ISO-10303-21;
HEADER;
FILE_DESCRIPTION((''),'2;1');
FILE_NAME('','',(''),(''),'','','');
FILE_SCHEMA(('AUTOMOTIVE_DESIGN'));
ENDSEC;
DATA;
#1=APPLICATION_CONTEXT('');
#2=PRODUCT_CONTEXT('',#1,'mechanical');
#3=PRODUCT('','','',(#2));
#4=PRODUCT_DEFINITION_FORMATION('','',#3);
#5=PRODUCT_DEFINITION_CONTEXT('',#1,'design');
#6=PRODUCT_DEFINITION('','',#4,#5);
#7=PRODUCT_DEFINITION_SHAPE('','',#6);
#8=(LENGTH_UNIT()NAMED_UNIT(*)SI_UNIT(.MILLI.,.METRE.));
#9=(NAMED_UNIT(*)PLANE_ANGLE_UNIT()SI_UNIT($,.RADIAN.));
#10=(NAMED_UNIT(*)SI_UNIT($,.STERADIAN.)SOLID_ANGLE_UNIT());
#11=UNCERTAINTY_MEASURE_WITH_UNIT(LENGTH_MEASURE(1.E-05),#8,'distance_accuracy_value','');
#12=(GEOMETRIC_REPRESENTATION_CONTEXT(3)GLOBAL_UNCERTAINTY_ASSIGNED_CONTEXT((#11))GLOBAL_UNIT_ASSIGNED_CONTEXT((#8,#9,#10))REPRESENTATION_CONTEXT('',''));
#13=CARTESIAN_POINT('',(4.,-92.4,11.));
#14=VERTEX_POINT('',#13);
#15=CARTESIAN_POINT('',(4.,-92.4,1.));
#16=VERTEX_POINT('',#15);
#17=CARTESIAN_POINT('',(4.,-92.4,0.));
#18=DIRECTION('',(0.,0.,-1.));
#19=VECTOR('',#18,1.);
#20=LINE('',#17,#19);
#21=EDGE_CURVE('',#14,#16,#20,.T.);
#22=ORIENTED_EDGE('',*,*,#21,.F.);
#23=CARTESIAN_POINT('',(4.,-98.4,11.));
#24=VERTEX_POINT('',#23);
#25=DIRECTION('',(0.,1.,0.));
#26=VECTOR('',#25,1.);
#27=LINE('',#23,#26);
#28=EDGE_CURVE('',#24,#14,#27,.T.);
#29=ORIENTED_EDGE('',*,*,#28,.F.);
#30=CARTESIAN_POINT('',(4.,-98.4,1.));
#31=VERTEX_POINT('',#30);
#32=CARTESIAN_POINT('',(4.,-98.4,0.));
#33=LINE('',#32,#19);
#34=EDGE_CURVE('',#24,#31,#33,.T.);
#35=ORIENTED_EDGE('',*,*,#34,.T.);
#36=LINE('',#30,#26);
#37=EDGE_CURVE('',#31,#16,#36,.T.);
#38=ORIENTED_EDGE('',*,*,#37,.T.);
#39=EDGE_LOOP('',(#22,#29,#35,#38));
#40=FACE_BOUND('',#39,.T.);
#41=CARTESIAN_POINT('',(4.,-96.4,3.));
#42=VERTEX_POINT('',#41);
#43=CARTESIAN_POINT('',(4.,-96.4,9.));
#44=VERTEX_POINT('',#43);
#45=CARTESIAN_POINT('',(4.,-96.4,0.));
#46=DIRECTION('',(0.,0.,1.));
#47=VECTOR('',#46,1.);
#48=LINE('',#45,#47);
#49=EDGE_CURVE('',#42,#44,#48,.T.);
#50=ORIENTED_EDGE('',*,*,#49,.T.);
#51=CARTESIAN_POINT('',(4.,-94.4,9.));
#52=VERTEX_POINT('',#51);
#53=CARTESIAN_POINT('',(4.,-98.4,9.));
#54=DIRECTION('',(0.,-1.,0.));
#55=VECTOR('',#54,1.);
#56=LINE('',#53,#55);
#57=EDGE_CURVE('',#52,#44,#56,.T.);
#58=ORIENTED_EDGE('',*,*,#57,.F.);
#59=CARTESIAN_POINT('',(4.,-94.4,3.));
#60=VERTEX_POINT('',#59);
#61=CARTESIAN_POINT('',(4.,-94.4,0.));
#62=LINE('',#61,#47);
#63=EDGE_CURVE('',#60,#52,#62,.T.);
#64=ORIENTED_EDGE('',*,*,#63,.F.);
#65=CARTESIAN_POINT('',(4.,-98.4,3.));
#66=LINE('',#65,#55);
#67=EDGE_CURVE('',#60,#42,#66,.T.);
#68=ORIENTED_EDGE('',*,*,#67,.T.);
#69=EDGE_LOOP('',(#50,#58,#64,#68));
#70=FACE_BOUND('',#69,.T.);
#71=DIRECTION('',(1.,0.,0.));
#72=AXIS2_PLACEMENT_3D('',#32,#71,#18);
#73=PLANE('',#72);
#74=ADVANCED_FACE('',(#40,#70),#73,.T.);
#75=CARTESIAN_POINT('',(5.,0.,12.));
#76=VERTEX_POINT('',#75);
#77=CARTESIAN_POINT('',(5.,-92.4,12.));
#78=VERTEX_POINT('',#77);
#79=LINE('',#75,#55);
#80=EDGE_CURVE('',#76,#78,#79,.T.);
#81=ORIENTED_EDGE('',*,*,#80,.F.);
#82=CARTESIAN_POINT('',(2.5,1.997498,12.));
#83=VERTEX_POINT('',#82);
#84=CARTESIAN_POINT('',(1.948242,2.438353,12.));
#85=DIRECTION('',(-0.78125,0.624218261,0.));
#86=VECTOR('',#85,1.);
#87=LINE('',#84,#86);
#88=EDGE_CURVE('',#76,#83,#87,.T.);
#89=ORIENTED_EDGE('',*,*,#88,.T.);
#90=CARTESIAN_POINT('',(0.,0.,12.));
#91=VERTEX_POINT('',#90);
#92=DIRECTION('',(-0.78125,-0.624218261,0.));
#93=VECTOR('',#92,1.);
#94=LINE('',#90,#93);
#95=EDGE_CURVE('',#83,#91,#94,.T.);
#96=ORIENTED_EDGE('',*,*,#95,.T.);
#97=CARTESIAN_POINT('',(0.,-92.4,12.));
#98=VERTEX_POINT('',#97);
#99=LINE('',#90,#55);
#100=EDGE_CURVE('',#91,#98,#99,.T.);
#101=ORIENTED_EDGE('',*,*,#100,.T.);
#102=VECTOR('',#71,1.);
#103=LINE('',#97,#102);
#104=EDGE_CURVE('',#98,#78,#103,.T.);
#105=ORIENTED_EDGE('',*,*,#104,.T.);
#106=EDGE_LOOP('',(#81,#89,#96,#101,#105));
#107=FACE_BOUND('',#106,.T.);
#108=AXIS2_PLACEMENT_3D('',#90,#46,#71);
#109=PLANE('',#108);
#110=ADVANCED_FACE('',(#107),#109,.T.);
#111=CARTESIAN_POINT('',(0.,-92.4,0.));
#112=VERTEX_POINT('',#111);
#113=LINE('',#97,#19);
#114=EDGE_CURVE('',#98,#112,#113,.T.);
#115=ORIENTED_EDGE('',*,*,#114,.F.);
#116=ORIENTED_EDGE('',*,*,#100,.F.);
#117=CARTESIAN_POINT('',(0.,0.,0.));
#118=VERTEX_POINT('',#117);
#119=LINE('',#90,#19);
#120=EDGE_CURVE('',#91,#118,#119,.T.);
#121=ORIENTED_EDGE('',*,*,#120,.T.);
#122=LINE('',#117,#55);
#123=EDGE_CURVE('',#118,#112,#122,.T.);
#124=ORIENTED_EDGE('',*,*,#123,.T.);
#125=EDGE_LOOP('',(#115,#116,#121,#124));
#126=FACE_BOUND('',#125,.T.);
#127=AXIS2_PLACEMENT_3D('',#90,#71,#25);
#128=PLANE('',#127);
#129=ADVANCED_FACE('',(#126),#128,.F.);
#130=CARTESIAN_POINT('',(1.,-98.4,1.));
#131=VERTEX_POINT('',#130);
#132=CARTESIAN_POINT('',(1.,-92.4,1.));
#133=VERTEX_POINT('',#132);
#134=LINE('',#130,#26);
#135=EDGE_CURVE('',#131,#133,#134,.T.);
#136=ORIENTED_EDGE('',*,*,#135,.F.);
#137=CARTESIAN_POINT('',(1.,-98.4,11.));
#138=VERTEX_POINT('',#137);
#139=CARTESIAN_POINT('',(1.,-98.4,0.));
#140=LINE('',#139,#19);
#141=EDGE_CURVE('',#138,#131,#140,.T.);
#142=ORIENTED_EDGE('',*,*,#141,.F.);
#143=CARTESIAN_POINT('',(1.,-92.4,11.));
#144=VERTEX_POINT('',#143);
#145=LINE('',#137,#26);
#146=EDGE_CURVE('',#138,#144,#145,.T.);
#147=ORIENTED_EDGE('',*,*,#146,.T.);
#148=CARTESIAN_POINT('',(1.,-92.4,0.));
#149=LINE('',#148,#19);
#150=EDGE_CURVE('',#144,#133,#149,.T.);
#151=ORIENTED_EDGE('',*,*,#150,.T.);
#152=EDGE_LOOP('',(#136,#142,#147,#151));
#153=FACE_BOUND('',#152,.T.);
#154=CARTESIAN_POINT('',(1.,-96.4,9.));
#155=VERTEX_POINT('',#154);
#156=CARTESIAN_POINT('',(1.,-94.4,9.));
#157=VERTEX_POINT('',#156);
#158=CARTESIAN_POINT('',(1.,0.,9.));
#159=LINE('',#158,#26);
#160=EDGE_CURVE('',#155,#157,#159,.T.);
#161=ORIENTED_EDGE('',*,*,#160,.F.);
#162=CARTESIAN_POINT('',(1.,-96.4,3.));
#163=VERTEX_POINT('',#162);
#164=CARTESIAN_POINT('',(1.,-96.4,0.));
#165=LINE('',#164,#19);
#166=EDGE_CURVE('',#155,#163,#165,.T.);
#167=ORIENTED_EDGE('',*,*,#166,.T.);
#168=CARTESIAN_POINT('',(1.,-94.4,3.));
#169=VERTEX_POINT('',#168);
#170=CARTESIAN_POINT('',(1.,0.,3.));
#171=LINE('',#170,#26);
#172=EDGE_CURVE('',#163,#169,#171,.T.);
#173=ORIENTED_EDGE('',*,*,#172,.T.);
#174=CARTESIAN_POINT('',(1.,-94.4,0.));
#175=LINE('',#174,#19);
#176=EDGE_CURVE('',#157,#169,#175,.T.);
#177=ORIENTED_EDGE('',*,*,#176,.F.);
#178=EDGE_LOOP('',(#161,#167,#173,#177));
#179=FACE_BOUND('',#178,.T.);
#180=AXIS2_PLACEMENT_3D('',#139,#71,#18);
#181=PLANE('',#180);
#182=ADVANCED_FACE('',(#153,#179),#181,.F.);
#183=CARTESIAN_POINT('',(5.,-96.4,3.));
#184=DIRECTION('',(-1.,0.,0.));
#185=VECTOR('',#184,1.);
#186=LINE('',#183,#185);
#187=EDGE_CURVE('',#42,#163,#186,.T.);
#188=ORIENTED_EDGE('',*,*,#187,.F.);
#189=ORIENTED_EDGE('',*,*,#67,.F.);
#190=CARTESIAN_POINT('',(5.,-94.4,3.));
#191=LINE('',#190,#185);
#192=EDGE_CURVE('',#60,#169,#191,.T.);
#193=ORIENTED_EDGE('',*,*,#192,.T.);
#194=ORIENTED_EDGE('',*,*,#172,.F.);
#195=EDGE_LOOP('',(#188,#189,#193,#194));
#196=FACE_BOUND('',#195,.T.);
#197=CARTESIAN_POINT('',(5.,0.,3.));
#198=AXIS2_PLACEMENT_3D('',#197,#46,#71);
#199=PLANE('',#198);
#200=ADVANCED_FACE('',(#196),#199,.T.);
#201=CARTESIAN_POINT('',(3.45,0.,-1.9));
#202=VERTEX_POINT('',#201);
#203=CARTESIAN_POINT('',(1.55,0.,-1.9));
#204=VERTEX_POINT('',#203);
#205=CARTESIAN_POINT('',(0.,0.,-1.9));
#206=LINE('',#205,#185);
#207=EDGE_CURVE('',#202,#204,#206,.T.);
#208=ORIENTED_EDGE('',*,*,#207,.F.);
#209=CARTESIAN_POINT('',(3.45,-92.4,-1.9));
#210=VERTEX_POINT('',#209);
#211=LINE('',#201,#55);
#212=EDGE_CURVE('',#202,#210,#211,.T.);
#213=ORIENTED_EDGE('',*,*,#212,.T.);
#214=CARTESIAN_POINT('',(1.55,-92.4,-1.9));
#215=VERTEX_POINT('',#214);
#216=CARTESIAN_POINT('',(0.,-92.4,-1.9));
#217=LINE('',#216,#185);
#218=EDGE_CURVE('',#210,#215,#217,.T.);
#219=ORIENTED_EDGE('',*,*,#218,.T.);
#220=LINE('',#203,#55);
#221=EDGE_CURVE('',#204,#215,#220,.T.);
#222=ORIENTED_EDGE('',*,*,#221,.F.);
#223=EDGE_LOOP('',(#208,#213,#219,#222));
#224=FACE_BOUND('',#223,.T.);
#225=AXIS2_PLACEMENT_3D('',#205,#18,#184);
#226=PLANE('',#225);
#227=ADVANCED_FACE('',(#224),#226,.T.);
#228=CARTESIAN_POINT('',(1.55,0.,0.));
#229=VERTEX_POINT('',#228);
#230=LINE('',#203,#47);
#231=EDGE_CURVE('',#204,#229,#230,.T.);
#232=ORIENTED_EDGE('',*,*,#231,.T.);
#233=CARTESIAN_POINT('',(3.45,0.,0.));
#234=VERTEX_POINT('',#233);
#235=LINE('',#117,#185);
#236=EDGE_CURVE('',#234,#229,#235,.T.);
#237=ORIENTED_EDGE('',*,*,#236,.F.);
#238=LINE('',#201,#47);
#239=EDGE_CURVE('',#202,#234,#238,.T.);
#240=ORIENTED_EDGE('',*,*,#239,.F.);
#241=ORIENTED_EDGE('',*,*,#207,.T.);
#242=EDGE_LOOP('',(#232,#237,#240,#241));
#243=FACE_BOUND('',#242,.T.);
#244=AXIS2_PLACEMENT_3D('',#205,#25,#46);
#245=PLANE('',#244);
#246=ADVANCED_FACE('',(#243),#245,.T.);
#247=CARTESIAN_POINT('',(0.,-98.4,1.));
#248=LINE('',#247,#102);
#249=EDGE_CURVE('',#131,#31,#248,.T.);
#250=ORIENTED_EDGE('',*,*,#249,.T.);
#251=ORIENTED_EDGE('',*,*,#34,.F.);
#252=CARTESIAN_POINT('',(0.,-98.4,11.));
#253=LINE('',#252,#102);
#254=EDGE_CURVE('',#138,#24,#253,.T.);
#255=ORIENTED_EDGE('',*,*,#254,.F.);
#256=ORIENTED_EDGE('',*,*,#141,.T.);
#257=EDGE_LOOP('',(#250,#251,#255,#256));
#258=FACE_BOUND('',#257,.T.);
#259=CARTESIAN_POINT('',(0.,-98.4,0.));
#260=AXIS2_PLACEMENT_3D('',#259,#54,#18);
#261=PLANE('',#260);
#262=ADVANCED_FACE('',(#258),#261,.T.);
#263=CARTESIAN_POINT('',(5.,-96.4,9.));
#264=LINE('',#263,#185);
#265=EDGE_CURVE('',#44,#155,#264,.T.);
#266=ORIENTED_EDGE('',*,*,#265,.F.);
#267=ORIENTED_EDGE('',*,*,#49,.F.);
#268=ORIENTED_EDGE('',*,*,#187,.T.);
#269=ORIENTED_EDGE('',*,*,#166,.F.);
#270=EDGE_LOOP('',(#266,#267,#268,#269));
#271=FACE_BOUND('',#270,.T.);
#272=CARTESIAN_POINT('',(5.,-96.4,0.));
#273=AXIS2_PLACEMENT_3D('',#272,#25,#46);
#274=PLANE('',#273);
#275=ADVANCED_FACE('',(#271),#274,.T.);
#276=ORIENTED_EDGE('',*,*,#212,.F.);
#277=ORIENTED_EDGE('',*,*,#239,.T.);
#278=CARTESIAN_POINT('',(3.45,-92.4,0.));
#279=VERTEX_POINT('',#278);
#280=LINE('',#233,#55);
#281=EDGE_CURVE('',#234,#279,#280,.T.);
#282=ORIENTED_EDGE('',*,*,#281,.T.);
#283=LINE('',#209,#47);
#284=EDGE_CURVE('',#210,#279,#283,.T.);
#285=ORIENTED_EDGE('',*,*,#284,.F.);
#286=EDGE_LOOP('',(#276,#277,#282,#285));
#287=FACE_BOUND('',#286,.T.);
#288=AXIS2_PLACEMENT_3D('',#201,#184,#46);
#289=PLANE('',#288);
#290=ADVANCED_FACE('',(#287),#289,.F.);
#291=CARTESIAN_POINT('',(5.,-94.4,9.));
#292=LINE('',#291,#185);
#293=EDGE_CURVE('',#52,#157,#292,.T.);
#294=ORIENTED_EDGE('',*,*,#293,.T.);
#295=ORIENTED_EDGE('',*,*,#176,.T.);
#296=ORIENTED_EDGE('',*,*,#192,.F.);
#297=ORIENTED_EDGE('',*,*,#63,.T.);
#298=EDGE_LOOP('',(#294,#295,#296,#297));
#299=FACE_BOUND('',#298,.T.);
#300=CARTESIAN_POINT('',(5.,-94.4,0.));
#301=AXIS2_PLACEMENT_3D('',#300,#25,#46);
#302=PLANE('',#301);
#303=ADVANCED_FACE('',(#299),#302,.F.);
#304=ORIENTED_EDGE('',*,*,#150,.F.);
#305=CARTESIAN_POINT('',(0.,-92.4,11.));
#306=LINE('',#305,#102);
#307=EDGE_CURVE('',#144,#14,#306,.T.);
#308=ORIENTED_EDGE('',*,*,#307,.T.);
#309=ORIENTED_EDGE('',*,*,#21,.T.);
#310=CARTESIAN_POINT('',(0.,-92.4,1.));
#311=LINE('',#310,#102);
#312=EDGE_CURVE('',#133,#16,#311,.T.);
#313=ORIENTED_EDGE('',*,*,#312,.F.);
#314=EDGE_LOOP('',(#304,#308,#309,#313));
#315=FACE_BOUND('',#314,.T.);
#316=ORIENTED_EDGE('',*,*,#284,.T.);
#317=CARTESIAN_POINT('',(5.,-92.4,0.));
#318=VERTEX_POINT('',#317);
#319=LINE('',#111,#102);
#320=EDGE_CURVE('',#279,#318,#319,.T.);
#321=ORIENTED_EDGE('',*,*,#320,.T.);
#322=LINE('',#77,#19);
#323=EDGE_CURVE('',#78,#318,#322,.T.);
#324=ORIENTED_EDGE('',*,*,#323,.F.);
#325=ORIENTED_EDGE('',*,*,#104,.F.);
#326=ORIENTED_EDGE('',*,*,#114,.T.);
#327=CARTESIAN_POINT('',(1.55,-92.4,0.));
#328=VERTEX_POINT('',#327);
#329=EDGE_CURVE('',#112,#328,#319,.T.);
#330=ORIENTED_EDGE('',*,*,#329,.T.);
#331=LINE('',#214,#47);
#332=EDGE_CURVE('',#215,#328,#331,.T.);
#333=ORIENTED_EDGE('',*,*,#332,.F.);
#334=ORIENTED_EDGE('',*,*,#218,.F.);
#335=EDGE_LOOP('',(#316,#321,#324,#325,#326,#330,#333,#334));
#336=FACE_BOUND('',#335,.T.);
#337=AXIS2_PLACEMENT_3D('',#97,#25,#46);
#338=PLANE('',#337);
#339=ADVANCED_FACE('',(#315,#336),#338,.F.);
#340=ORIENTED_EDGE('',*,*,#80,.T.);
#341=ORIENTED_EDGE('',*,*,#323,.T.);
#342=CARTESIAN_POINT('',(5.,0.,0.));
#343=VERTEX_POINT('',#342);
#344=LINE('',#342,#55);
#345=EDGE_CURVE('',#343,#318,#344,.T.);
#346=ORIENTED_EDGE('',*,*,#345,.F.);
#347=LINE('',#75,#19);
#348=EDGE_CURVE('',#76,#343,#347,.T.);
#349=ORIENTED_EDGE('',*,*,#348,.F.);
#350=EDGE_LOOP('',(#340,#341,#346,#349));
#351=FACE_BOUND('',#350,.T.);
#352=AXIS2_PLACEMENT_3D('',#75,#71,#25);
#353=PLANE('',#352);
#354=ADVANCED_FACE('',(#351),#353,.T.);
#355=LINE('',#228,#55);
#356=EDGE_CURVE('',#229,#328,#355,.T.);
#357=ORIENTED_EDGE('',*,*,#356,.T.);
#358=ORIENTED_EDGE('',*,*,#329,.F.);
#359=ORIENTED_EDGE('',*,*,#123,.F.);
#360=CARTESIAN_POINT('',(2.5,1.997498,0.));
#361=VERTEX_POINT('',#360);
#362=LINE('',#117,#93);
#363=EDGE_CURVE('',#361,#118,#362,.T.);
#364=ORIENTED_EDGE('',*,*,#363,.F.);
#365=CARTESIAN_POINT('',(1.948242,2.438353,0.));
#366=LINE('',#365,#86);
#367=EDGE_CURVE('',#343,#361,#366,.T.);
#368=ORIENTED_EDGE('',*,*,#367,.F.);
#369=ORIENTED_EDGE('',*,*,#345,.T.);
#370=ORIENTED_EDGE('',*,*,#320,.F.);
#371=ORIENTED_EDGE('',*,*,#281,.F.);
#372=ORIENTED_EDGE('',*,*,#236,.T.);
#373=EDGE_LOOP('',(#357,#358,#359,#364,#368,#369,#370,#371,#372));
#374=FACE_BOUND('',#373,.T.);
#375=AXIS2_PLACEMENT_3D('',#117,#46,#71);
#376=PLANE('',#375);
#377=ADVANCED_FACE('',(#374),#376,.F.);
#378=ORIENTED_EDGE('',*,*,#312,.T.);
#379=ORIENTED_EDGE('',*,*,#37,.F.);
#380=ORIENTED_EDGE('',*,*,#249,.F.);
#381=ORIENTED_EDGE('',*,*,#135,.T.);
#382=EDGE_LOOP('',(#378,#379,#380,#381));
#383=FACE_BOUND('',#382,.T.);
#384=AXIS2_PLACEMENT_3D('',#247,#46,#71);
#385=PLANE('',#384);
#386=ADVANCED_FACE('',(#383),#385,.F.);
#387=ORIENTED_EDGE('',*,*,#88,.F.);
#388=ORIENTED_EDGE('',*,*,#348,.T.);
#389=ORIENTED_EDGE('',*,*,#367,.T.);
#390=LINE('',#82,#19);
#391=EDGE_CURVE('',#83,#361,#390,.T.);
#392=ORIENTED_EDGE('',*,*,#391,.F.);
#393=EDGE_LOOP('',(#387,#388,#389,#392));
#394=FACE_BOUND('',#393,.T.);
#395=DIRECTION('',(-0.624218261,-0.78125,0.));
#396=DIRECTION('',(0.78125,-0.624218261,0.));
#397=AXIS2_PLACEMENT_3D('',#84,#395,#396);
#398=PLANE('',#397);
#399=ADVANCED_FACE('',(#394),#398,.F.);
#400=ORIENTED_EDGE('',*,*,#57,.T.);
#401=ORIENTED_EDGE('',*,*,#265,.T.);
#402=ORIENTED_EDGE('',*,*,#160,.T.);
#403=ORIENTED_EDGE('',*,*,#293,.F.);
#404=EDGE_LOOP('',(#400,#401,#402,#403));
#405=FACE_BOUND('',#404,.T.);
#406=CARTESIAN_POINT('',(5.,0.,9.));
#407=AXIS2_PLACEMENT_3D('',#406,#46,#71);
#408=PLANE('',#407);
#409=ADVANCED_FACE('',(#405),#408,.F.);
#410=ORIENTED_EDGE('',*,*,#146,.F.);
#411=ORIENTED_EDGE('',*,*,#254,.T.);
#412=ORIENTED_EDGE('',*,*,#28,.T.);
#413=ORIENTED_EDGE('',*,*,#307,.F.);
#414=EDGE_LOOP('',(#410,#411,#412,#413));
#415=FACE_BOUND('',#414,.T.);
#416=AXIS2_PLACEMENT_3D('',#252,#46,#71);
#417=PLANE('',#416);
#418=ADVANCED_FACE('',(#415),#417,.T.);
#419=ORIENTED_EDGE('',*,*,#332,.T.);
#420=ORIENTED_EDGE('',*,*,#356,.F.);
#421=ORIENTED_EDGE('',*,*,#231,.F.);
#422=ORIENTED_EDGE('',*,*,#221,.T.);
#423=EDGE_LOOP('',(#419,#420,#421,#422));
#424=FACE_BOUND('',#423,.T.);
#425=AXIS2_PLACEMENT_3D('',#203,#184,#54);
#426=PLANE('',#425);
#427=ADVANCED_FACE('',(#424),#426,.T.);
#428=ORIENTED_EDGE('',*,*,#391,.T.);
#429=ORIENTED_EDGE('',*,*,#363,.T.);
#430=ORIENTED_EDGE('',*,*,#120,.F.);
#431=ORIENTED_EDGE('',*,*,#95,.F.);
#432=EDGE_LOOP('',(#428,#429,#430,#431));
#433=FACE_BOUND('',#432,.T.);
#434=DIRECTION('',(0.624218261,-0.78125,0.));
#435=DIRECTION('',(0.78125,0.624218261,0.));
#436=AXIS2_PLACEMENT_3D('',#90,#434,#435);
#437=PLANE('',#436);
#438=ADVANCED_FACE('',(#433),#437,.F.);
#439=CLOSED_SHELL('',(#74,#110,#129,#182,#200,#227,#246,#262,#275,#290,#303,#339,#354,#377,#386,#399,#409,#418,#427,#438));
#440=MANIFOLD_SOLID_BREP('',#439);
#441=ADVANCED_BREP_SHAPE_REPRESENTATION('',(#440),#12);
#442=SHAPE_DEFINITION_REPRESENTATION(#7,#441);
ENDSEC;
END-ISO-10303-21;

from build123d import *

# Parameters (mm, degrees)
EXTRUDE_1_DEPTH          = 12
EXTRUDE_2_DEPTH          = 1.9
SKETCH_3_W               = 3
SKETCH_3_H               = 10
EXTRUDE_3_DEPTH          = 6
CUT_EXTRUDE_1_DEPTH      = 100.209676947
CUT_EXTRUDE_1_DEPTH_BACK = 3
SKETCH_4_W               = 6
SKETCH_4_H               = 2


with BuildPart() as part:
    # 草图1 → 凸台-拉伸1 (new body)
    with BuildSketch(Plane.XY):
        Polygon((2.5, 1.997498436), (0, 0), (0, -92.4), (5, -92.4), (5, 0), align=None)
    extrude(amount=EXTRUDE_1_DEPTH)

    # 草图2 → 凸台-拉伸2 (add)
    with BuildSketch(Plane(origin=(0, 0, 0), x_dir=(-1, 0, 0), z_dir=(0, 0, -1))):
        Polygon((-1.55, 0), (-3.45, 0), (-3.45, -1.400450224), (-3.45, -92.4), (-1.55, -92.4), (-1.55, -1.477736038), align=None)
    extrude(amount=EXTRUDE_2_DEPTH)

    # 草图3 → 凸台-拉伸3 (add)
    with BuildSketch(Plane.XZ.offset(92.4)):
        with Locations((2.5, 6)):
            Rectangle(SKETCH_3_W, SKETCH_3_H)
    extrude(amount=EXTRUDE_3_DEPTH)

    # 草图4 → 切除-拉伸1 (cut, two sides: drawn at the far end of the back side and taken through both)
    with BuildSketch(Plane(origin=(4, 0, 0), x_dir=(0, 0, -1), z_dir=(1, 0, 0)).offset(-CUT_EXTRUDE_1_DEPTH_BACK)):
        with Locations((-6, -95.4)):
            Rectangle(SKETCH_4_W, SKETCH_4_H)
    extrude(amount=CUT_EXTRUDE_1_DEPTH + CUT_EXTRUDE_1_DEPTH_BACK, mode=Mode.SUBTRACT)


solid = part.part
